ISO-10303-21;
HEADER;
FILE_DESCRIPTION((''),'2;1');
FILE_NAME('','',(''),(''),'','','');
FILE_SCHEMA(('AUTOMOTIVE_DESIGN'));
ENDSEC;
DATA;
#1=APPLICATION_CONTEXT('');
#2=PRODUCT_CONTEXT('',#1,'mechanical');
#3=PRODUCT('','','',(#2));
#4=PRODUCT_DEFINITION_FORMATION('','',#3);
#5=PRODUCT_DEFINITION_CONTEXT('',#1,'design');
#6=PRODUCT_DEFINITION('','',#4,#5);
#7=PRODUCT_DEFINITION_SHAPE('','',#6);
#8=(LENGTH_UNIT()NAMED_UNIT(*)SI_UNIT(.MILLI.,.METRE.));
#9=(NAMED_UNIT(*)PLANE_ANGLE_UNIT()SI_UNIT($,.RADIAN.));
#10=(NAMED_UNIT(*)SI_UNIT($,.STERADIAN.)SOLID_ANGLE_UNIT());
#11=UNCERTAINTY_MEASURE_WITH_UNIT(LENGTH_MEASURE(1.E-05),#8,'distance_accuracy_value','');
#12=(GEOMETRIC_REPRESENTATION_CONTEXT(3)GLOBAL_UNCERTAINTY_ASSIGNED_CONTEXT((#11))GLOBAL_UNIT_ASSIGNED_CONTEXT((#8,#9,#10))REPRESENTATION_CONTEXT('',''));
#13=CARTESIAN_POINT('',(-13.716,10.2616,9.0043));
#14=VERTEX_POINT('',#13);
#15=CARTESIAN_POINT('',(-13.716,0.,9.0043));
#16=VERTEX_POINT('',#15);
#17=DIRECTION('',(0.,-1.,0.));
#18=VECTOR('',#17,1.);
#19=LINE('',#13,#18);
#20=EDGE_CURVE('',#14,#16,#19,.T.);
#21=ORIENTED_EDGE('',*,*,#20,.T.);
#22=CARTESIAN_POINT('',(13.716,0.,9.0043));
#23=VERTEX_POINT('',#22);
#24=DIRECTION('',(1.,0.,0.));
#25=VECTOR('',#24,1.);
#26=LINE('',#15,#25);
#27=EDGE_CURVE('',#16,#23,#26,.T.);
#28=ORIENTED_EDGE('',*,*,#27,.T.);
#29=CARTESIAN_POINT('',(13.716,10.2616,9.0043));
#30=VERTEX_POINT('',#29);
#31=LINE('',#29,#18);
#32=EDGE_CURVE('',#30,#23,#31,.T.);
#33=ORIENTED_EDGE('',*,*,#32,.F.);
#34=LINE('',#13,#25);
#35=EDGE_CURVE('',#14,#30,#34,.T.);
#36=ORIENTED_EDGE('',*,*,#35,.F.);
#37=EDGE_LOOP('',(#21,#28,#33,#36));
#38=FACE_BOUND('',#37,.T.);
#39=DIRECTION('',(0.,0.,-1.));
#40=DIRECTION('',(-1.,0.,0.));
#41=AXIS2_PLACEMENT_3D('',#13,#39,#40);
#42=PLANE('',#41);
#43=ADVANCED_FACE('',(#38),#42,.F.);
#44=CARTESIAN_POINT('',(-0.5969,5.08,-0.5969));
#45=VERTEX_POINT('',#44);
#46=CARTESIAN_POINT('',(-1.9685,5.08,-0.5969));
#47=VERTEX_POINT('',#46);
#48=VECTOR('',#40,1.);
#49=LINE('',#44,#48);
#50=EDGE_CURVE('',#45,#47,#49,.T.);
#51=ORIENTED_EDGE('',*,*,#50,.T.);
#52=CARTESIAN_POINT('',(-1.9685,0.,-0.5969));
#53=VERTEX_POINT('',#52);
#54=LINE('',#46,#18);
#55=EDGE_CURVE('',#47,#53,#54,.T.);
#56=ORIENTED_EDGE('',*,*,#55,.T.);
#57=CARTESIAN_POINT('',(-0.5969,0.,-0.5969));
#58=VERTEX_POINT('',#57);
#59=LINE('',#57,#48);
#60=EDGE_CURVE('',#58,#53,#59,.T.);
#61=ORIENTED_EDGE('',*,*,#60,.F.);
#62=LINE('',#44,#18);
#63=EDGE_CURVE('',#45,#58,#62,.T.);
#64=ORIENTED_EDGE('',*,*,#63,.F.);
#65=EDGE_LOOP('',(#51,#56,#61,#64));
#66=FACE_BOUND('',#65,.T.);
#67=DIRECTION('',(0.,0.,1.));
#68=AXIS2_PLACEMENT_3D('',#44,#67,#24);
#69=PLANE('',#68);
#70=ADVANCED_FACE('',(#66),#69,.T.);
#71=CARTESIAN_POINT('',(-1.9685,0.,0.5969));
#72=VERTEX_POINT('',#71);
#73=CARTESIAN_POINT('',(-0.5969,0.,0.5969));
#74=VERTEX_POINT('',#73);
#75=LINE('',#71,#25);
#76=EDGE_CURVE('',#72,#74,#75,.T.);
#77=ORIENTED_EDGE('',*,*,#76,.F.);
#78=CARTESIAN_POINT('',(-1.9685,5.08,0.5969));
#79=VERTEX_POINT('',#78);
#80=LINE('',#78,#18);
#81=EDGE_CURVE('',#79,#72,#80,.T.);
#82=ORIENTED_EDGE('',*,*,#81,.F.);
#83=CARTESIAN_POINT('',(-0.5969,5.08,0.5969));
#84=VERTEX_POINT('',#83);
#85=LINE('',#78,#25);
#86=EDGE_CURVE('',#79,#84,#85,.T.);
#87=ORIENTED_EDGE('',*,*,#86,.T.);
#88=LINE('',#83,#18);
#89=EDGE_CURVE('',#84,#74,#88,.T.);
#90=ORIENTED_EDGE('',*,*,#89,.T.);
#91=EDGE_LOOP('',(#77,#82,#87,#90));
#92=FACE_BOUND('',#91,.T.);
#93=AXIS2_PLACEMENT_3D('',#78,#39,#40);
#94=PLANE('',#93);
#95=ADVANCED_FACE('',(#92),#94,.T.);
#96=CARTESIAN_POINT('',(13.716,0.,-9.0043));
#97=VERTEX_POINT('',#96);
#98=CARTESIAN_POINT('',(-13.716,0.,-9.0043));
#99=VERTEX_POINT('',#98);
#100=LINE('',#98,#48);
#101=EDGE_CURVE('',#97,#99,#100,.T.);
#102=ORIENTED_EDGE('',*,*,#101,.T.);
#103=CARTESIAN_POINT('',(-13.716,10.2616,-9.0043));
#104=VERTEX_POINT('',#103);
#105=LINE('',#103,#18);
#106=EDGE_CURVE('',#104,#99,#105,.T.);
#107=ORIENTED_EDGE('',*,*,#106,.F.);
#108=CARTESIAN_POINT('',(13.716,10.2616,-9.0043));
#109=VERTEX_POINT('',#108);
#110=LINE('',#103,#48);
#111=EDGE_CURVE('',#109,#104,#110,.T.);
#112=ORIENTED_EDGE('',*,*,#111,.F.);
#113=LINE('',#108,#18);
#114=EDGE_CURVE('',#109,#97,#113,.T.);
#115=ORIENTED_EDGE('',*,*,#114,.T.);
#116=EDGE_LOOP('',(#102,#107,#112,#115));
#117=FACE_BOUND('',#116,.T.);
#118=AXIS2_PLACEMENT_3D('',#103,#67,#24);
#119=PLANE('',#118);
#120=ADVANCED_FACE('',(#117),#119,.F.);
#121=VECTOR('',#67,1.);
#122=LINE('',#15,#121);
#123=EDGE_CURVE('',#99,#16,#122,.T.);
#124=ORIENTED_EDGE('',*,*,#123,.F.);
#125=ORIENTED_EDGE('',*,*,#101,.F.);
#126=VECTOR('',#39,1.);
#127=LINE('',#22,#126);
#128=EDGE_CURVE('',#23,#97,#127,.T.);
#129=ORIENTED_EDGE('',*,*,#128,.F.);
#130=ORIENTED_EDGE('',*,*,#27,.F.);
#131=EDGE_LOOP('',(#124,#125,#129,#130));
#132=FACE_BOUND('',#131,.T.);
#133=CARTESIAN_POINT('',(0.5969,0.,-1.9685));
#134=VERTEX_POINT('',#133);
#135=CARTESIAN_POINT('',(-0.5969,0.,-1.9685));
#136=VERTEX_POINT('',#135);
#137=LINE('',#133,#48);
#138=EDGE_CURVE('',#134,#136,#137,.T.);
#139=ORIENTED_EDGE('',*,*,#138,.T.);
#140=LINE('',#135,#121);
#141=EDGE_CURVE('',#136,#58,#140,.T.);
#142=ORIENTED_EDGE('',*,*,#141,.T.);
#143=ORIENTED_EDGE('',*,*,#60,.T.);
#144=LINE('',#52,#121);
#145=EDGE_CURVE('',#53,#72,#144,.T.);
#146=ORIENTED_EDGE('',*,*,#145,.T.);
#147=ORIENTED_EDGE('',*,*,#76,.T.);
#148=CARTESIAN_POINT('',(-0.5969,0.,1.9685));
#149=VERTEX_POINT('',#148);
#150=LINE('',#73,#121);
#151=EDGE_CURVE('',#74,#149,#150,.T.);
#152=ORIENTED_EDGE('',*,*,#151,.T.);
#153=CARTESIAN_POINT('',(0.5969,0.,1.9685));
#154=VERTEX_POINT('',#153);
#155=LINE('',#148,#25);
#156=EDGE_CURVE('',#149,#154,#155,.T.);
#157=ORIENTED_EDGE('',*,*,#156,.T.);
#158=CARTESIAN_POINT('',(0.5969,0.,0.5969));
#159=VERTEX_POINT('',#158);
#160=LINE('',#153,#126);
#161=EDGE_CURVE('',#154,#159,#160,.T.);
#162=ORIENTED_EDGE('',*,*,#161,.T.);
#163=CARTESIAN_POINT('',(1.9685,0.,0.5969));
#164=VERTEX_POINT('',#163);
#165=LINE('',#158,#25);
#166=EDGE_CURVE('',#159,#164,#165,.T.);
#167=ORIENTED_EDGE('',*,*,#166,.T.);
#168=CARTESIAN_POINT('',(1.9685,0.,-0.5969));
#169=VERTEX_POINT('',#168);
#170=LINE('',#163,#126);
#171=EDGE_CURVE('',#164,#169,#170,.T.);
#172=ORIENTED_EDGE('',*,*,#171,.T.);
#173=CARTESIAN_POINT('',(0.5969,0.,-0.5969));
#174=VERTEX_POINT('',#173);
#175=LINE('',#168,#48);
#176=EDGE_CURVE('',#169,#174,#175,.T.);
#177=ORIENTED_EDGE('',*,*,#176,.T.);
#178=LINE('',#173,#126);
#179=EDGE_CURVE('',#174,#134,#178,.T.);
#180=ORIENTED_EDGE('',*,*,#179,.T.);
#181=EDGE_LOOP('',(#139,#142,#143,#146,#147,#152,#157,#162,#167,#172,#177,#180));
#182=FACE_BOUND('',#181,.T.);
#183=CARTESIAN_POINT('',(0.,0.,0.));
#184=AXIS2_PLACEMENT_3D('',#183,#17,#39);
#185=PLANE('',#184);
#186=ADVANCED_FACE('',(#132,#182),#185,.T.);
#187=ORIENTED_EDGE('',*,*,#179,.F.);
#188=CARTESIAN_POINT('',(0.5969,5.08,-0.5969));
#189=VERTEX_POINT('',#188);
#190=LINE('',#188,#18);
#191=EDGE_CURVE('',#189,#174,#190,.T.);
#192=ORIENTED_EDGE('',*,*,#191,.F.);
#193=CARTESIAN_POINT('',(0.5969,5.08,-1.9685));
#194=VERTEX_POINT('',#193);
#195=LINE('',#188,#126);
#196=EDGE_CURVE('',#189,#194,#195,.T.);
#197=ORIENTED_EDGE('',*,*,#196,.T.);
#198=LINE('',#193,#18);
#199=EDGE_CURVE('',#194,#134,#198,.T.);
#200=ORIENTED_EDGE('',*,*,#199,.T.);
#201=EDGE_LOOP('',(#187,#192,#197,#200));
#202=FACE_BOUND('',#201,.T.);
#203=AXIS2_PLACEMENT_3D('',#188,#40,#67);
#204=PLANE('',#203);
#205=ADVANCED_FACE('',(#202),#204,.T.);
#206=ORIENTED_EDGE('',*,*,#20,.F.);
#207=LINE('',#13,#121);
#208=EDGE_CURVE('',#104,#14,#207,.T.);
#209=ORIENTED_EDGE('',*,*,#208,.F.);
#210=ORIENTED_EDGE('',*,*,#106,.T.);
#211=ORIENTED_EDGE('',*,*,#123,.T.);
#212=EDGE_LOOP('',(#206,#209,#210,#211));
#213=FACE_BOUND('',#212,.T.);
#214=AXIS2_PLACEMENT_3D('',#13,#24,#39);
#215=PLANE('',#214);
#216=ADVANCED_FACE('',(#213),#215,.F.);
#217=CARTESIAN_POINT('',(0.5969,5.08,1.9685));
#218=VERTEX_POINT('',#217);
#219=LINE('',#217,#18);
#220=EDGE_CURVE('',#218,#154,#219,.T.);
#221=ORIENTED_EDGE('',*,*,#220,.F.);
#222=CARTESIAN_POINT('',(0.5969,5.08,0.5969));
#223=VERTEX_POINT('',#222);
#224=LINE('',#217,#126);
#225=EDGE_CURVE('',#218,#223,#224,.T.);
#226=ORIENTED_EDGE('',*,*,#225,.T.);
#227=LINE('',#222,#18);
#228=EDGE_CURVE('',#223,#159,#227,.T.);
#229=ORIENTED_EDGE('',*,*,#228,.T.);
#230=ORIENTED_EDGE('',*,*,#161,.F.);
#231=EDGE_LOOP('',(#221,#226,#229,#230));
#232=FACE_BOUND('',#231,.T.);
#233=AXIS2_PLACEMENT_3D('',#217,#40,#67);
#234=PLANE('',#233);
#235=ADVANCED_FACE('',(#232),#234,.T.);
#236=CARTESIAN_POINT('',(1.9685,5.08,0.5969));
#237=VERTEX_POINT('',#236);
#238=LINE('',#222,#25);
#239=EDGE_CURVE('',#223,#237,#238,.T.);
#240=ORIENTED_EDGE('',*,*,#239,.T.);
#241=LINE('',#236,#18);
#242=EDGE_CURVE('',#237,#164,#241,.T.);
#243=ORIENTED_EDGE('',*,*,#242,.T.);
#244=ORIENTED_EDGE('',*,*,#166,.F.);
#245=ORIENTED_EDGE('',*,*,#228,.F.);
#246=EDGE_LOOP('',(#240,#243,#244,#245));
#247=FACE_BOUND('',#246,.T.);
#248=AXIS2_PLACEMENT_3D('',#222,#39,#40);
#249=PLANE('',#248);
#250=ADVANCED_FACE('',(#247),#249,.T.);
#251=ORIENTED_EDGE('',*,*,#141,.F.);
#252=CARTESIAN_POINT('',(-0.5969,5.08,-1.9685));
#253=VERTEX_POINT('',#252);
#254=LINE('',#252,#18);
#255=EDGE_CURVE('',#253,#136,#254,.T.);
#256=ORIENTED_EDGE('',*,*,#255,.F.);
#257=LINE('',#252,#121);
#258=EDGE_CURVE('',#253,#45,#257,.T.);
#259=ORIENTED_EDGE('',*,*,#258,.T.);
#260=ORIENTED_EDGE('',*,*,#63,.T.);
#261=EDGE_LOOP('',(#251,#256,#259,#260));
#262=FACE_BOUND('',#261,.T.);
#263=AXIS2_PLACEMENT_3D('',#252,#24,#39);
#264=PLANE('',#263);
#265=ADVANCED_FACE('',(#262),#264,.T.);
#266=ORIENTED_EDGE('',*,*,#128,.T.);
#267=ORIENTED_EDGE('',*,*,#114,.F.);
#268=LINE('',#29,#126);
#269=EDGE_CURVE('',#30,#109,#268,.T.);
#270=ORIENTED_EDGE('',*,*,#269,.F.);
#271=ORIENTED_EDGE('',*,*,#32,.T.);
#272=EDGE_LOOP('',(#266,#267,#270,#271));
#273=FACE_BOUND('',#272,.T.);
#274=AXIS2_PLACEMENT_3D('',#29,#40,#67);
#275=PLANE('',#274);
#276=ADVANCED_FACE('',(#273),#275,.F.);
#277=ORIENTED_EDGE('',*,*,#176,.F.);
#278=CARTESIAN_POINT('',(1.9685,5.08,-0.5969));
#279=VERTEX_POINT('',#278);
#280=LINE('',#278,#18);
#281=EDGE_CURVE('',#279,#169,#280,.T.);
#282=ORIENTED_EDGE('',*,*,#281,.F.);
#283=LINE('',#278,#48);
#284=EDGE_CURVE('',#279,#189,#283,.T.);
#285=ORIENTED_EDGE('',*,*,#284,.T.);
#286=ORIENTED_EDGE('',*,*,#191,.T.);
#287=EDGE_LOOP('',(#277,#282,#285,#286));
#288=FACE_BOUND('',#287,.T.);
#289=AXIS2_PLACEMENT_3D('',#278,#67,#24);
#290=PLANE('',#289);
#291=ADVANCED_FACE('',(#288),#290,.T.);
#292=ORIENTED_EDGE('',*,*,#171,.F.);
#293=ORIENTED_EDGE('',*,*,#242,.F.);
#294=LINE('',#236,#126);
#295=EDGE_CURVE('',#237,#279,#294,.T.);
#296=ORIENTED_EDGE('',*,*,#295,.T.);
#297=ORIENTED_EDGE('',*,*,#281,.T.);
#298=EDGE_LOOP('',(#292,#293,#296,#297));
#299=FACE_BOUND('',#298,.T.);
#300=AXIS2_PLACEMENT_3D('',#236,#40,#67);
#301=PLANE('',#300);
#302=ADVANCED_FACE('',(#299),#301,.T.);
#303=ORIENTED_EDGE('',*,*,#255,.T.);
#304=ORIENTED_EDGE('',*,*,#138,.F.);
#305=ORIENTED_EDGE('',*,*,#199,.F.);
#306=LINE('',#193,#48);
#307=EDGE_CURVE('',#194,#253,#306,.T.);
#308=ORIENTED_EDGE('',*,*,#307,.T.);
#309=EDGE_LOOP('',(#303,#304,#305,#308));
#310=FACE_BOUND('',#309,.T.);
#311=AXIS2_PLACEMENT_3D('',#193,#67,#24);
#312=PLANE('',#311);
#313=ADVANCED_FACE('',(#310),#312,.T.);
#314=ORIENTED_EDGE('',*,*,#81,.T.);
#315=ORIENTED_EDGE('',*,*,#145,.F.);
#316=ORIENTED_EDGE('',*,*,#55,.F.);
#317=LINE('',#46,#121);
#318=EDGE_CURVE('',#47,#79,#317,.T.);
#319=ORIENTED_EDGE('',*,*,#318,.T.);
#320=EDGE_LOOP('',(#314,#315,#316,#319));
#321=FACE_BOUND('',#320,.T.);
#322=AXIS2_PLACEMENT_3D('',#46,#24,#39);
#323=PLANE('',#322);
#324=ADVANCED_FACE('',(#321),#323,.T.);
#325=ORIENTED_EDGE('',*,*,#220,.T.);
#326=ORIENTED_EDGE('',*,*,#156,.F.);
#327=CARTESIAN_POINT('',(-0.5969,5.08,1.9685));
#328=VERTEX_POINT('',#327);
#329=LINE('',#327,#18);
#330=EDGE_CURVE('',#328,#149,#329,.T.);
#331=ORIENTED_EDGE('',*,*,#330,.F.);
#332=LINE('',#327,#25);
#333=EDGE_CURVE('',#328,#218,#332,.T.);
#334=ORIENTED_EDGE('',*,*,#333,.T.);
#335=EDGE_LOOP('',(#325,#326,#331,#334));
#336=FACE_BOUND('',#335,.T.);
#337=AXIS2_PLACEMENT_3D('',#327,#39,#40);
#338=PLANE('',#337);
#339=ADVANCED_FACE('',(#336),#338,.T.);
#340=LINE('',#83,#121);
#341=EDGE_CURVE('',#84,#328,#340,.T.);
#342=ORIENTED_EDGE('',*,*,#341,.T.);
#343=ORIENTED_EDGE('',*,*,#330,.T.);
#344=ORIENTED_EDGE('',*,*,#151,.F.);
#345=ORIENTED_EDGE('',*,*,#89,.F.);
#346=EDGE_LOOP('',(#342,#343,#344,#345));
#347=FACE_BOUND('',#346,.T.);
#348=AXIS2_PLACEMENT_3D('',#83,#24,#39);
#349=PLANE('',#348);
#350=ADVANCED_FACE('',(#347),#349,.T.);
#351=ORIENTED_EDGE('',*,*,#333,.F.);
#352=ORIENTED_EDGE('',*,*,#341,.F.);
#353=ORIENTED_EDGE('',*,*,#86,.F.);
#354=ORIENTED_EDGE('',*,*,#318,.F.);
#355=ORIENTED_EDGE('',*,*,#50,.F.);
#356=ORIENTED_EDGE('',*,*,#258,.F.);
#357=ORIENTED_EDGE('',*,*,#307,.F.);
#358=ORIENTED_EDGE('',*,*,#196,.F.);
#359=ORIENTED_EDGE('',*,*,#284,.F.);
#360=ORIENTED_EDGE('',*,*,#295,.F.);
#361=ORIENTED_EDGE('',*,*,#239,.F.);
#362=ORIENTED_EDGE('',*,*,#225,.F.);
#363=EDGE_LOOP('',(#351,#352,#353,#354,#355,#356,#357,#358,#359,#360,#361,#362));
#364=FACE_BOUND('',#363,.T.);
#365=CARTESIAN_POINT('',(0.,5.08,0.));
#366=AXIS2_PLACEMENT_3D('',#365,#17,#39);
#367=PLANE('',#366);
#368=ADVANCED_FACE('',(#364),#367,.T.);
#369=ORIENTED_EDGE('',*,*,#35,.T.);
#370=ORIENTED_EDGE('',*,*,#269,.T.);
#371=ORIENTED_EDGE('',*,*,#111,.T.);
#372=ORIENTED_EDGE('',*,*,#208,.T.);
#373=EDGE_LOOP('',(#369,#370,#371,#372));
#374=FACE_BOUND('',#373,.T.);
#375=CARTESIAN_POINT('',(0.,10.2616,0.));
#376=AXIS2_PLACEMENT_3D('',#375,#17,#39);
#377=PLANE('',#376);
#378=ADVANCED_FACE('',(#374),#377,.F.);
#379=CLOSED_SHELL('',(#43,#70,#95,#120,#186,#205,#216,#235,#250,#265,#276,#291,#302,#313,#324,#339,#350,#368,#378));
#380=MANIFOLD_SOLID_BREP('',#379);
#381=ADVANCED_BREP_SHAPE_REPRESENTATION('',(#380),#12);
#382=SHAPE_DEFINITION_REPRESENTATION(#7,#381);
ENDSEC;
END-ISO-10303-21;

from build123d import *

# Parameters (mm, degrees)
SKETCH1_W           = 27.432
SKETCH1_H           = 18.0086
BOSS_EXTRUDE1_DEPTH = 10.2616
CUT_EXTRUDE1_DEPTH  = 5.08


with BuildPart() as part:
    # Sketch1 → Boss-Extrude1 (new body)
    with BuildSketch(Plane(origin=(0, 0, 0), x_dir=(1, 0, 0), z_dir=(0, 1, 0))):
        Rectangle(SKETCH1_W, SKETCH1_H)
    extrude(amount=BOSS_EXTRUDE1_DEPTH)

    # Sketch2 → Cut-Extrude1 (cut)
    with BuildSketch(Plane.XZ):
        Polygon((-0.5969, 0.5969), (-0.5969, 1.9685), (0.5969, 1.9685), (0.5969, 0.5969), (1.9685, 0.5969), (1.9685, -0.5969), (0.5969, -0.5969), (0.5969, -1.9685), (-0.5969, -1.9685), (-0.5969, -0.5969), (-1.9685, -0.5969), (-1.9685, 0.5969), align=None)
    extrude(amount=-CUT_EXTRUDE1_DEPTH, mode=Mode.SUBTRACT)


solid = part.part
